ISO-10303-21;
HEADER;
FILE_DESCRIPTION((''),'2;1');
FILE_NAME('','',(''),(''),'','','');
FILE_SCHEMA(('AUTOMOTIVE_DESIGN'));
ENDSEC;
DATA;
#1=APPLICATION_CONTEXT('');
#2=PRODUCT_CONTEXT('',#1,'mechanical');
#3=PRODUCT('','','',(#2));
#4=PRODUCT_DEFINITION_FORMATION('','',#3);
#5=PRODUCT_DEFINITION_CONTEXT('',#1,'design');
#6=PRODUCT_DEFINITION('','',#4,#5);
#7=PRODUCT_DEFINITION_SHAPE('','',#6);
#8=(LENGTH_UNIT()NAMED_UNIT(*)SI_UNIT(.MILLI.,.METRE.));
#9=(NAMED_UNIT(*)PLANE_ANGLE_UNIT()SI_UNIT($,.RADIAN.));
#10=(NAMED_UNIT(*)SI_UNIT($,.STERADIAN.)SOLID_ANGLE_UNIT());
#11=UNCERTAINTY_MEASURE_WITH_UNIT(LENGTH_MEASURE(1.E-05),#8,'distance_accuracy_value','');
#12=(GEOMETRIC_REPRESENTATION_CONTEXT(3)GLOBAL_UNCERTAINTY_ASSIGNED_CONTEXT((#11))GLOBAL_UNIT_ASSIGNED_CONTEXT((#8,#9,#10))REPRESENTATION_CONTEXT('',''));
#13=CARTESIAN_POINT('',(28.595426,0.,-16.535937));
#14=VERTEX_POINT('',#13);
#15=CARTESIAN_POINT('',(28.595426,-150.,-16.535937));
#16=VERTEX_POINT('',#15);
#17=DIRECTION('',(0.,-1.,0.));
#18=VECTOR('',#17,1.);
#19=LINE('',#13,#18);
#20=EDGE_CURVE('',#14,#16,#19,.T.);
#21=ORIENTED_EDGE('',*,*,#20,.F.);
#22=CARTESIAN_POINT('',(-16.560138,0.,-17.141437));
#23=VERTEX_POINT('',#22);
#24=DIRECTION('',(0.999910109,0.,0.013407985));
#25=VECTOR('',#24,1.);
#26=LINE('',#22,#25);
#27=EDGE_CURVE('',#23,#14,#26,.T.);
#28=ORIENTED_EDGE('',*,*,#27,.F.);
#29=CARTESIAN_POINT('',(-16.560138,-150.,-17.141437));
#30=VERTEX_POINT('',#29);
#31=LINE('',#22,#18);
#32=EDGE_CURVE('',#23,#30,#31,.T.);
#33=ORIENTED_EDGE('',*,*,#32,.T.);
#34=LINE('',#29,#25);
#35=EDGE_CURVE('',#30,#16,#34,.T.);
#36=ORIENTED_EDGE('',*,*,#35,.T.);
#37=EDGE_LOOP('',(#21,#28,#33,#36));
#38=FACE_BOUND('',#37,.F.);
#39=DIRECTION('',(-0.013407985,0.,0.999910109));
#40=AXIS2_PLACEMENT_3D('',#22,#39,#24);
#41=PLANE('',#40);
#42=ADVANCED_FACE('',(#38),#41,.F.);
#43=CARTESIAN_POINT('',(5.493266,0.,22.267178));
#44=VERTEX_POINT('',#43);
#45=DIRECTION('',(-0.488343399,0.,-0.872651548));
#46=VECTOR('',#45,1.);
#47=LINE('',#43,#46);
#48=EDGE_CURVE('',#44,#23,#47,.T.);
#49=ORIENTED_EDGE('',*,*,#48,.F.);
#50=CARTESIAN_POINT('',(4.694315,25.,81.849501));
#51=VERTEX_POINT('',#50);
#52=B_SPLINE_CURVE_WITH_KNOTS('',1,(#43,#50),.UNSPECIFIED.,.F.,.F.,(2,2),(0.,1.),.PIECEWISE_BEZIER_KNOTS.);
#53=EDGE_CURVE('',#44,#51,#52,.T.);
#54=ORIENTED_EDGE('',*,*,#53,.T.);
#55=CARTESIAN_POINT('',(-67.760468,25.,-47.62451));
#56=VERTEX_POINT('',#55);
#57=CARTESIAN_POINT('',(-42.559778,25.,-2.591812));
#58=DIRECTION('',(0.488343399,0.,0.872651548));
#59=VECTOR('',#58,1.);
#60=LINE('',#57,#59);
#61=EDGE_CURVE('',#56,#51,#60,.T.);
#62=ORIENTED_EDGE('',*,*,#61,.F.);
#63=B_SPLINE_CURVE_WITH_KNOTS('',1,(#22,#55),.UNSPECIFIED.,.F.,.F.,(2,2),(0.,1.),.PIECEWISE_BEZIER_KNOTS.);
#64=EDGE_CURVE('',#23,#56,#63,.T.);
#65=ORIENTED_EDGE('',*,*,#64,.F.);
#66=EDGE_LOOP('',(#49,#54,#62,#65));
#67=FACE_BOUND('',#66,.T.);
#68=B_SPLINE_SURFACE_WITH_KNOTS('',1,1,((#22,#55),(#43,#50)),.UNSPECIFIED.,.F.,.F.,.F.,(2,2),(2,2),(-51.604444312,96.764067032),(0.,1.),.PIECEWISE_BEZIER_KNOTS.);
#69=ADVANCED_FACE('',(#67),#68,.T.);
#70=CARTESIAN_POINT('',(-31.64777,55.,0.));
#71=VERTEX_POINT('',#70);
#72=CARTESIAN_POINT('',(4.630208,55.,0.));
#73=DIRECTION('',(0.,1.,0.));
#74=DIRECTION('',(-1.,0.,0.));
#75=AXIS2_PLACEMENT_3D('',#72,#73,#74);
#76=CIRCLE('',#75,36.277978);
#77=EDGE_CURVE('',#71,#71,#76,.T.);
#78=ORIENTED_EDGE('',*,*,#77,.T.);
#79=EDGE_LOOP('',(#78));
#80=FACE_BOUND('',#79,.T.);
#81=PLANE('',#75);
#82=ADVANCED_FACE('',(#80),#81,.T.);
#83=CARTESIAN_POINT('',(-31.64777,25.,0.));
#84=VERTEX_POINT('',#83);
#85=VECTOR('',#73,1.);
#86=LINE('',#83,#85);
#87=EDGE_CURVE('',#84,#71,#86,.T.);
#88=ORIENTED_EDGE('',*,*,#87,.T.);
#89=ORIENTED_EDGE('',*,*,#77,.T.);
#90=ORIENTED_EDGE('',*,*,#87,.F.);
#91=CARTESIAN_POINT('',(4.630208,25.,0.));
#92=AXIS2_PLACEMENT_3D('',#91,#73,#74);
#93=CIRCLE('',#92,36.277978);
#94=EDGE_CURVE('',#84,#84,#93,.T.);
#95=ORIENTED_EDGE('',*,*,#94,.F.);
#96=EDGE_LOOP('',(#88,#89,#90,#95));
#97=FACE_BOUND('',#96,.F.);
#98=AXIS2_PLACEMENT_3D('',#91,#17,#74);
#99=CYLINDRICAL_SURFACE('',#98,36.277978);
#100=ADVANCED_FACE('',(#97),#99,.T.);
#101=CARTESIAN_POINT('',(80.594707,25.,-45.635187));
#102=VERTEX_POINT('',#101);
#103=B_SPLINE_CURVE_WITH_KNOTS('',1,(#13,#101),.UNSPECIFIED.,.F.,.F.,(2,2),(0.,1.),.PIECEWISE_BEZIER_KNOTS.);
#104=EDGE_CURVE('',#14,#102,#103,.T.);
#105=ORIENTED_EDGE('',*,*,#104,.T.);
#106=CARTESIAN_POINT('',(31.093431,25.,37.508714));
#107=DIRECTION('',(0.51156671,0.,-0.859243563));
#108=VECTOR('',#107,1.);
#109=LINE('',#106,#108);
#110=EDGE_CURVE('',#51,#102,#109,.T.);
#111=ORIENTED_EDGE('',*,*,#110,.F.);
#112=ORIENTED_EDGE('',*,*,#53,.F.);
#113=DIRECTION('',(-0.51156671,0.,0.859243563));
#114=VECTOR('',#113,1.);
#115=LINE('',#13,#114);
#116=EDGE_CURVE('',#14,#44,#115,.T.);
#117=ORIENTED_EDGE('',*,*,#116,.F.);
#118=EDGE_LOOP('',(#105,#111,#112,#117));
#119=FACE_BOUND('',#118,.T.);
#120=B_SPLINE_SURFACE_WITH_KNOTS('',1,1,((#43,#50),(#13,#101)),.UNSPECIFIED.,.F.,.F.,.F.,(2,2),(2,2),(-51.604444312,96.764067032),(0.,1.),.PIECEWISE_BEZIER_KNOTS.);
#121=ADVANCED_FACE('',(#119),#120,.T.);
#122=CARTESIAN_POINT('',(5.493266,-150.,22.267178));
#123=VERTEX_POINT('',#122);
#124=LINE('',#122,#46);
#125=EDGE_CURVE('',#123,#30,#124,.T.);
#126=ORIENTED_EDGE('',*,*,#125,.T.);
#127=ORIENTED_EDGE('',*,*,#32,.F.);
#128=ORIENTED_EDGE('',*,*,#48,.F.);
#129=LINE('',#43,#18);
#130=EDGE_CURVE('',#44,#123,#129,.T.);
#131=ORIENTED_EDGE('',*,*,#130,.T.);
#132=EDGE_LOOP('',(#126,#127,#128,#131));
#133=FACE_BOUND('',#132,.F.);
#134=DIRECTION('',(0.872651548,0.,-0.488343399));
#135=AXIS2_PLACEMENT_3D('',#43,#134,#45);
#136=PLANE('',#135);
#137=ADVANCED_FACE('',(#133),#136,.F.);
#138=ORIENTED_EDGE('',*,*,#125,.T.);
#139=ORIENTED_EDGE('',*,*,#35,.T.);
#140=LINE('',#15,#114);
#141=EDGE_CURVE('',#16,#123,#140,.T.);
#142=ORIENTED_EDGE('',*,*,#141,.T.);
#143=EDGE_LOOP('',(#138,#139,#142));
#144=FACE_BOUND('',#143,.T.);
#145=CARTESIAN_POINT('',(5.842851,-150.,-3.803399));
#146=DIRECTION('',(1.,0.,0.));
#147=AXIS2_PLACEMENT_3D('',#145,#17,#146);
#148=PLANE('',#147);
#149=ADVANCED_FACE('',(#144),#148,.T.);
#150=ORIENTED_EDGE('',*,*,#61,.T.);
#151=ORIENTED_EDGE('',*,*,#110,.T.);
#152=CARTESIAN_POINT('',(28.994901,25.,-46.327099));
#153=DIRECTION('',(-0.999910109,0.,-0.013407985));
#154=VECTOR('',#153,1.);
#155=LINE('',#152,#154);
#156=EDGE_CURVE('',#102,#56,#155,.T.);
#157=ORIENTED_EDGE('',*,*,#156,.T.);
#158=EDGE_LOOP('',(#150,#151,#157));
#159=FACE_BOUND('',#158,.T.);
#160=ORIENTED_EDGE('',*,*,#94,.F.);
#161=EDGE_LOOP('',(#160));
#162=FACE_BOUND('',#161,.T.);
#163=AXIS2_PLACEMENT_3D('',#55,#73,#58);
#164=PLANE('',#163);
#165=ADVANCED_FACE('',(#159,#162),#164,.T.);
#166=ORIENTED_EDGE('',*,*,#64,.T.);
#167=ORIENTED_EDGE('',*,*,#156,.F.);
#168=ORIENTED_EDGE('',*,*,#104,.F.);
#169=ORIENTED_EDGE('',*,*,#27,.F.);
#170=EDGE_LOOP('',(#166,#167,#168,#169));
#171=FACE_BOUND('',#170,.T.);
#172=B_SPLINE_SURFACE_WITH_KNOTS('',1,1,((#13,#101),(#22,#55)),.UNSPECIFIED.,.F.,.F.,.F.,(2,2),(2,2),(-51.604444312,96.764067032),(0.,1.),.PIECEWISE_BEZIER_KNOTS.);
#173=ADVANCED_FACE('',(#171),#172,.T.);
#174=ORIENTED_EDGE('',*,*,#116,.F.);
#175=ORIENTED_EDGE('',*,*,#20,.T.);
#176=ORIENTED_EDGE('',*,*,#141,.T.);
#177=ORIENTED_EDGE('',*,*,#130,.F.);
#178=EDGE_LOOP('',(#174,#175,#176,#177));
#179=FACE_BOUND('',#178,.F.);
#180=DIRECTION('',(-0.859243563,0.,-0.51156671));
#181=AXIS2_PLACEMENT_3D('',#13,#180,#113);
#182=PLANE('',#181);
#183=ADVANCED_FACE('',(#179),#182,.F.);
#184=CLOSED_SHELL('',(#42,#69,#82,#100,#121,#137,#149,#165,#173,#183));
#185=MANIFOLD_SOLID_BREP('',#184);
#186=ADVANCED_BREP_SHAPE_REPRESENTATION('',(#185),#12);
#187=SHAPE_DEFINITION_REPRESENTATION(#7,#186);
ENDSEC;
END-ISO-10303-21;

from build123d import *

# Parameters (mm, degrees)
F1_DEPTH = 150
F2_DEPTH = 25
F2_TAPER = -50
F3_R     = 36.2779782861
F4_DEPTH = 30


with BuildPart() as f1:
    # F0 (on Front) → F1 (new body)
    with BuildSketch(Plane.XZ):
        Polygon((-16.5601376103, -17.1414369862), (28.5954256631, -16.5359374457), (5.4932660423, 22.267177701), align=None)
    extrude(amount=F1_DEPTH)

    # F1_face (on face) → F2 (join)
    with BuildSketch(Plane(origin=(5.842851365, 0, -3.8033989103), x_dir=(1, 0, 0), z_dir=(0, 1, 0))):
        Polygon((-22.4029889753, 13.3380380759), (-0.3495853227, -26.0705766113), (22.752574298, 12.7325385354), align=None)
    extrude(amount=F2_DEPTH, taper=F2_TAPER)

    # F3 (on face) → F4 (join)
    with BuildSketch(Plane(origin=(0, 25, 0), x_dir=(-1, 0, 0), z_dir=(0, 1, 0))):
        with Locations((-4.6302080154, 0)):
            Circle(F3_R)
    extrude(amount=F4_DEPTH)


solid = f1.part
